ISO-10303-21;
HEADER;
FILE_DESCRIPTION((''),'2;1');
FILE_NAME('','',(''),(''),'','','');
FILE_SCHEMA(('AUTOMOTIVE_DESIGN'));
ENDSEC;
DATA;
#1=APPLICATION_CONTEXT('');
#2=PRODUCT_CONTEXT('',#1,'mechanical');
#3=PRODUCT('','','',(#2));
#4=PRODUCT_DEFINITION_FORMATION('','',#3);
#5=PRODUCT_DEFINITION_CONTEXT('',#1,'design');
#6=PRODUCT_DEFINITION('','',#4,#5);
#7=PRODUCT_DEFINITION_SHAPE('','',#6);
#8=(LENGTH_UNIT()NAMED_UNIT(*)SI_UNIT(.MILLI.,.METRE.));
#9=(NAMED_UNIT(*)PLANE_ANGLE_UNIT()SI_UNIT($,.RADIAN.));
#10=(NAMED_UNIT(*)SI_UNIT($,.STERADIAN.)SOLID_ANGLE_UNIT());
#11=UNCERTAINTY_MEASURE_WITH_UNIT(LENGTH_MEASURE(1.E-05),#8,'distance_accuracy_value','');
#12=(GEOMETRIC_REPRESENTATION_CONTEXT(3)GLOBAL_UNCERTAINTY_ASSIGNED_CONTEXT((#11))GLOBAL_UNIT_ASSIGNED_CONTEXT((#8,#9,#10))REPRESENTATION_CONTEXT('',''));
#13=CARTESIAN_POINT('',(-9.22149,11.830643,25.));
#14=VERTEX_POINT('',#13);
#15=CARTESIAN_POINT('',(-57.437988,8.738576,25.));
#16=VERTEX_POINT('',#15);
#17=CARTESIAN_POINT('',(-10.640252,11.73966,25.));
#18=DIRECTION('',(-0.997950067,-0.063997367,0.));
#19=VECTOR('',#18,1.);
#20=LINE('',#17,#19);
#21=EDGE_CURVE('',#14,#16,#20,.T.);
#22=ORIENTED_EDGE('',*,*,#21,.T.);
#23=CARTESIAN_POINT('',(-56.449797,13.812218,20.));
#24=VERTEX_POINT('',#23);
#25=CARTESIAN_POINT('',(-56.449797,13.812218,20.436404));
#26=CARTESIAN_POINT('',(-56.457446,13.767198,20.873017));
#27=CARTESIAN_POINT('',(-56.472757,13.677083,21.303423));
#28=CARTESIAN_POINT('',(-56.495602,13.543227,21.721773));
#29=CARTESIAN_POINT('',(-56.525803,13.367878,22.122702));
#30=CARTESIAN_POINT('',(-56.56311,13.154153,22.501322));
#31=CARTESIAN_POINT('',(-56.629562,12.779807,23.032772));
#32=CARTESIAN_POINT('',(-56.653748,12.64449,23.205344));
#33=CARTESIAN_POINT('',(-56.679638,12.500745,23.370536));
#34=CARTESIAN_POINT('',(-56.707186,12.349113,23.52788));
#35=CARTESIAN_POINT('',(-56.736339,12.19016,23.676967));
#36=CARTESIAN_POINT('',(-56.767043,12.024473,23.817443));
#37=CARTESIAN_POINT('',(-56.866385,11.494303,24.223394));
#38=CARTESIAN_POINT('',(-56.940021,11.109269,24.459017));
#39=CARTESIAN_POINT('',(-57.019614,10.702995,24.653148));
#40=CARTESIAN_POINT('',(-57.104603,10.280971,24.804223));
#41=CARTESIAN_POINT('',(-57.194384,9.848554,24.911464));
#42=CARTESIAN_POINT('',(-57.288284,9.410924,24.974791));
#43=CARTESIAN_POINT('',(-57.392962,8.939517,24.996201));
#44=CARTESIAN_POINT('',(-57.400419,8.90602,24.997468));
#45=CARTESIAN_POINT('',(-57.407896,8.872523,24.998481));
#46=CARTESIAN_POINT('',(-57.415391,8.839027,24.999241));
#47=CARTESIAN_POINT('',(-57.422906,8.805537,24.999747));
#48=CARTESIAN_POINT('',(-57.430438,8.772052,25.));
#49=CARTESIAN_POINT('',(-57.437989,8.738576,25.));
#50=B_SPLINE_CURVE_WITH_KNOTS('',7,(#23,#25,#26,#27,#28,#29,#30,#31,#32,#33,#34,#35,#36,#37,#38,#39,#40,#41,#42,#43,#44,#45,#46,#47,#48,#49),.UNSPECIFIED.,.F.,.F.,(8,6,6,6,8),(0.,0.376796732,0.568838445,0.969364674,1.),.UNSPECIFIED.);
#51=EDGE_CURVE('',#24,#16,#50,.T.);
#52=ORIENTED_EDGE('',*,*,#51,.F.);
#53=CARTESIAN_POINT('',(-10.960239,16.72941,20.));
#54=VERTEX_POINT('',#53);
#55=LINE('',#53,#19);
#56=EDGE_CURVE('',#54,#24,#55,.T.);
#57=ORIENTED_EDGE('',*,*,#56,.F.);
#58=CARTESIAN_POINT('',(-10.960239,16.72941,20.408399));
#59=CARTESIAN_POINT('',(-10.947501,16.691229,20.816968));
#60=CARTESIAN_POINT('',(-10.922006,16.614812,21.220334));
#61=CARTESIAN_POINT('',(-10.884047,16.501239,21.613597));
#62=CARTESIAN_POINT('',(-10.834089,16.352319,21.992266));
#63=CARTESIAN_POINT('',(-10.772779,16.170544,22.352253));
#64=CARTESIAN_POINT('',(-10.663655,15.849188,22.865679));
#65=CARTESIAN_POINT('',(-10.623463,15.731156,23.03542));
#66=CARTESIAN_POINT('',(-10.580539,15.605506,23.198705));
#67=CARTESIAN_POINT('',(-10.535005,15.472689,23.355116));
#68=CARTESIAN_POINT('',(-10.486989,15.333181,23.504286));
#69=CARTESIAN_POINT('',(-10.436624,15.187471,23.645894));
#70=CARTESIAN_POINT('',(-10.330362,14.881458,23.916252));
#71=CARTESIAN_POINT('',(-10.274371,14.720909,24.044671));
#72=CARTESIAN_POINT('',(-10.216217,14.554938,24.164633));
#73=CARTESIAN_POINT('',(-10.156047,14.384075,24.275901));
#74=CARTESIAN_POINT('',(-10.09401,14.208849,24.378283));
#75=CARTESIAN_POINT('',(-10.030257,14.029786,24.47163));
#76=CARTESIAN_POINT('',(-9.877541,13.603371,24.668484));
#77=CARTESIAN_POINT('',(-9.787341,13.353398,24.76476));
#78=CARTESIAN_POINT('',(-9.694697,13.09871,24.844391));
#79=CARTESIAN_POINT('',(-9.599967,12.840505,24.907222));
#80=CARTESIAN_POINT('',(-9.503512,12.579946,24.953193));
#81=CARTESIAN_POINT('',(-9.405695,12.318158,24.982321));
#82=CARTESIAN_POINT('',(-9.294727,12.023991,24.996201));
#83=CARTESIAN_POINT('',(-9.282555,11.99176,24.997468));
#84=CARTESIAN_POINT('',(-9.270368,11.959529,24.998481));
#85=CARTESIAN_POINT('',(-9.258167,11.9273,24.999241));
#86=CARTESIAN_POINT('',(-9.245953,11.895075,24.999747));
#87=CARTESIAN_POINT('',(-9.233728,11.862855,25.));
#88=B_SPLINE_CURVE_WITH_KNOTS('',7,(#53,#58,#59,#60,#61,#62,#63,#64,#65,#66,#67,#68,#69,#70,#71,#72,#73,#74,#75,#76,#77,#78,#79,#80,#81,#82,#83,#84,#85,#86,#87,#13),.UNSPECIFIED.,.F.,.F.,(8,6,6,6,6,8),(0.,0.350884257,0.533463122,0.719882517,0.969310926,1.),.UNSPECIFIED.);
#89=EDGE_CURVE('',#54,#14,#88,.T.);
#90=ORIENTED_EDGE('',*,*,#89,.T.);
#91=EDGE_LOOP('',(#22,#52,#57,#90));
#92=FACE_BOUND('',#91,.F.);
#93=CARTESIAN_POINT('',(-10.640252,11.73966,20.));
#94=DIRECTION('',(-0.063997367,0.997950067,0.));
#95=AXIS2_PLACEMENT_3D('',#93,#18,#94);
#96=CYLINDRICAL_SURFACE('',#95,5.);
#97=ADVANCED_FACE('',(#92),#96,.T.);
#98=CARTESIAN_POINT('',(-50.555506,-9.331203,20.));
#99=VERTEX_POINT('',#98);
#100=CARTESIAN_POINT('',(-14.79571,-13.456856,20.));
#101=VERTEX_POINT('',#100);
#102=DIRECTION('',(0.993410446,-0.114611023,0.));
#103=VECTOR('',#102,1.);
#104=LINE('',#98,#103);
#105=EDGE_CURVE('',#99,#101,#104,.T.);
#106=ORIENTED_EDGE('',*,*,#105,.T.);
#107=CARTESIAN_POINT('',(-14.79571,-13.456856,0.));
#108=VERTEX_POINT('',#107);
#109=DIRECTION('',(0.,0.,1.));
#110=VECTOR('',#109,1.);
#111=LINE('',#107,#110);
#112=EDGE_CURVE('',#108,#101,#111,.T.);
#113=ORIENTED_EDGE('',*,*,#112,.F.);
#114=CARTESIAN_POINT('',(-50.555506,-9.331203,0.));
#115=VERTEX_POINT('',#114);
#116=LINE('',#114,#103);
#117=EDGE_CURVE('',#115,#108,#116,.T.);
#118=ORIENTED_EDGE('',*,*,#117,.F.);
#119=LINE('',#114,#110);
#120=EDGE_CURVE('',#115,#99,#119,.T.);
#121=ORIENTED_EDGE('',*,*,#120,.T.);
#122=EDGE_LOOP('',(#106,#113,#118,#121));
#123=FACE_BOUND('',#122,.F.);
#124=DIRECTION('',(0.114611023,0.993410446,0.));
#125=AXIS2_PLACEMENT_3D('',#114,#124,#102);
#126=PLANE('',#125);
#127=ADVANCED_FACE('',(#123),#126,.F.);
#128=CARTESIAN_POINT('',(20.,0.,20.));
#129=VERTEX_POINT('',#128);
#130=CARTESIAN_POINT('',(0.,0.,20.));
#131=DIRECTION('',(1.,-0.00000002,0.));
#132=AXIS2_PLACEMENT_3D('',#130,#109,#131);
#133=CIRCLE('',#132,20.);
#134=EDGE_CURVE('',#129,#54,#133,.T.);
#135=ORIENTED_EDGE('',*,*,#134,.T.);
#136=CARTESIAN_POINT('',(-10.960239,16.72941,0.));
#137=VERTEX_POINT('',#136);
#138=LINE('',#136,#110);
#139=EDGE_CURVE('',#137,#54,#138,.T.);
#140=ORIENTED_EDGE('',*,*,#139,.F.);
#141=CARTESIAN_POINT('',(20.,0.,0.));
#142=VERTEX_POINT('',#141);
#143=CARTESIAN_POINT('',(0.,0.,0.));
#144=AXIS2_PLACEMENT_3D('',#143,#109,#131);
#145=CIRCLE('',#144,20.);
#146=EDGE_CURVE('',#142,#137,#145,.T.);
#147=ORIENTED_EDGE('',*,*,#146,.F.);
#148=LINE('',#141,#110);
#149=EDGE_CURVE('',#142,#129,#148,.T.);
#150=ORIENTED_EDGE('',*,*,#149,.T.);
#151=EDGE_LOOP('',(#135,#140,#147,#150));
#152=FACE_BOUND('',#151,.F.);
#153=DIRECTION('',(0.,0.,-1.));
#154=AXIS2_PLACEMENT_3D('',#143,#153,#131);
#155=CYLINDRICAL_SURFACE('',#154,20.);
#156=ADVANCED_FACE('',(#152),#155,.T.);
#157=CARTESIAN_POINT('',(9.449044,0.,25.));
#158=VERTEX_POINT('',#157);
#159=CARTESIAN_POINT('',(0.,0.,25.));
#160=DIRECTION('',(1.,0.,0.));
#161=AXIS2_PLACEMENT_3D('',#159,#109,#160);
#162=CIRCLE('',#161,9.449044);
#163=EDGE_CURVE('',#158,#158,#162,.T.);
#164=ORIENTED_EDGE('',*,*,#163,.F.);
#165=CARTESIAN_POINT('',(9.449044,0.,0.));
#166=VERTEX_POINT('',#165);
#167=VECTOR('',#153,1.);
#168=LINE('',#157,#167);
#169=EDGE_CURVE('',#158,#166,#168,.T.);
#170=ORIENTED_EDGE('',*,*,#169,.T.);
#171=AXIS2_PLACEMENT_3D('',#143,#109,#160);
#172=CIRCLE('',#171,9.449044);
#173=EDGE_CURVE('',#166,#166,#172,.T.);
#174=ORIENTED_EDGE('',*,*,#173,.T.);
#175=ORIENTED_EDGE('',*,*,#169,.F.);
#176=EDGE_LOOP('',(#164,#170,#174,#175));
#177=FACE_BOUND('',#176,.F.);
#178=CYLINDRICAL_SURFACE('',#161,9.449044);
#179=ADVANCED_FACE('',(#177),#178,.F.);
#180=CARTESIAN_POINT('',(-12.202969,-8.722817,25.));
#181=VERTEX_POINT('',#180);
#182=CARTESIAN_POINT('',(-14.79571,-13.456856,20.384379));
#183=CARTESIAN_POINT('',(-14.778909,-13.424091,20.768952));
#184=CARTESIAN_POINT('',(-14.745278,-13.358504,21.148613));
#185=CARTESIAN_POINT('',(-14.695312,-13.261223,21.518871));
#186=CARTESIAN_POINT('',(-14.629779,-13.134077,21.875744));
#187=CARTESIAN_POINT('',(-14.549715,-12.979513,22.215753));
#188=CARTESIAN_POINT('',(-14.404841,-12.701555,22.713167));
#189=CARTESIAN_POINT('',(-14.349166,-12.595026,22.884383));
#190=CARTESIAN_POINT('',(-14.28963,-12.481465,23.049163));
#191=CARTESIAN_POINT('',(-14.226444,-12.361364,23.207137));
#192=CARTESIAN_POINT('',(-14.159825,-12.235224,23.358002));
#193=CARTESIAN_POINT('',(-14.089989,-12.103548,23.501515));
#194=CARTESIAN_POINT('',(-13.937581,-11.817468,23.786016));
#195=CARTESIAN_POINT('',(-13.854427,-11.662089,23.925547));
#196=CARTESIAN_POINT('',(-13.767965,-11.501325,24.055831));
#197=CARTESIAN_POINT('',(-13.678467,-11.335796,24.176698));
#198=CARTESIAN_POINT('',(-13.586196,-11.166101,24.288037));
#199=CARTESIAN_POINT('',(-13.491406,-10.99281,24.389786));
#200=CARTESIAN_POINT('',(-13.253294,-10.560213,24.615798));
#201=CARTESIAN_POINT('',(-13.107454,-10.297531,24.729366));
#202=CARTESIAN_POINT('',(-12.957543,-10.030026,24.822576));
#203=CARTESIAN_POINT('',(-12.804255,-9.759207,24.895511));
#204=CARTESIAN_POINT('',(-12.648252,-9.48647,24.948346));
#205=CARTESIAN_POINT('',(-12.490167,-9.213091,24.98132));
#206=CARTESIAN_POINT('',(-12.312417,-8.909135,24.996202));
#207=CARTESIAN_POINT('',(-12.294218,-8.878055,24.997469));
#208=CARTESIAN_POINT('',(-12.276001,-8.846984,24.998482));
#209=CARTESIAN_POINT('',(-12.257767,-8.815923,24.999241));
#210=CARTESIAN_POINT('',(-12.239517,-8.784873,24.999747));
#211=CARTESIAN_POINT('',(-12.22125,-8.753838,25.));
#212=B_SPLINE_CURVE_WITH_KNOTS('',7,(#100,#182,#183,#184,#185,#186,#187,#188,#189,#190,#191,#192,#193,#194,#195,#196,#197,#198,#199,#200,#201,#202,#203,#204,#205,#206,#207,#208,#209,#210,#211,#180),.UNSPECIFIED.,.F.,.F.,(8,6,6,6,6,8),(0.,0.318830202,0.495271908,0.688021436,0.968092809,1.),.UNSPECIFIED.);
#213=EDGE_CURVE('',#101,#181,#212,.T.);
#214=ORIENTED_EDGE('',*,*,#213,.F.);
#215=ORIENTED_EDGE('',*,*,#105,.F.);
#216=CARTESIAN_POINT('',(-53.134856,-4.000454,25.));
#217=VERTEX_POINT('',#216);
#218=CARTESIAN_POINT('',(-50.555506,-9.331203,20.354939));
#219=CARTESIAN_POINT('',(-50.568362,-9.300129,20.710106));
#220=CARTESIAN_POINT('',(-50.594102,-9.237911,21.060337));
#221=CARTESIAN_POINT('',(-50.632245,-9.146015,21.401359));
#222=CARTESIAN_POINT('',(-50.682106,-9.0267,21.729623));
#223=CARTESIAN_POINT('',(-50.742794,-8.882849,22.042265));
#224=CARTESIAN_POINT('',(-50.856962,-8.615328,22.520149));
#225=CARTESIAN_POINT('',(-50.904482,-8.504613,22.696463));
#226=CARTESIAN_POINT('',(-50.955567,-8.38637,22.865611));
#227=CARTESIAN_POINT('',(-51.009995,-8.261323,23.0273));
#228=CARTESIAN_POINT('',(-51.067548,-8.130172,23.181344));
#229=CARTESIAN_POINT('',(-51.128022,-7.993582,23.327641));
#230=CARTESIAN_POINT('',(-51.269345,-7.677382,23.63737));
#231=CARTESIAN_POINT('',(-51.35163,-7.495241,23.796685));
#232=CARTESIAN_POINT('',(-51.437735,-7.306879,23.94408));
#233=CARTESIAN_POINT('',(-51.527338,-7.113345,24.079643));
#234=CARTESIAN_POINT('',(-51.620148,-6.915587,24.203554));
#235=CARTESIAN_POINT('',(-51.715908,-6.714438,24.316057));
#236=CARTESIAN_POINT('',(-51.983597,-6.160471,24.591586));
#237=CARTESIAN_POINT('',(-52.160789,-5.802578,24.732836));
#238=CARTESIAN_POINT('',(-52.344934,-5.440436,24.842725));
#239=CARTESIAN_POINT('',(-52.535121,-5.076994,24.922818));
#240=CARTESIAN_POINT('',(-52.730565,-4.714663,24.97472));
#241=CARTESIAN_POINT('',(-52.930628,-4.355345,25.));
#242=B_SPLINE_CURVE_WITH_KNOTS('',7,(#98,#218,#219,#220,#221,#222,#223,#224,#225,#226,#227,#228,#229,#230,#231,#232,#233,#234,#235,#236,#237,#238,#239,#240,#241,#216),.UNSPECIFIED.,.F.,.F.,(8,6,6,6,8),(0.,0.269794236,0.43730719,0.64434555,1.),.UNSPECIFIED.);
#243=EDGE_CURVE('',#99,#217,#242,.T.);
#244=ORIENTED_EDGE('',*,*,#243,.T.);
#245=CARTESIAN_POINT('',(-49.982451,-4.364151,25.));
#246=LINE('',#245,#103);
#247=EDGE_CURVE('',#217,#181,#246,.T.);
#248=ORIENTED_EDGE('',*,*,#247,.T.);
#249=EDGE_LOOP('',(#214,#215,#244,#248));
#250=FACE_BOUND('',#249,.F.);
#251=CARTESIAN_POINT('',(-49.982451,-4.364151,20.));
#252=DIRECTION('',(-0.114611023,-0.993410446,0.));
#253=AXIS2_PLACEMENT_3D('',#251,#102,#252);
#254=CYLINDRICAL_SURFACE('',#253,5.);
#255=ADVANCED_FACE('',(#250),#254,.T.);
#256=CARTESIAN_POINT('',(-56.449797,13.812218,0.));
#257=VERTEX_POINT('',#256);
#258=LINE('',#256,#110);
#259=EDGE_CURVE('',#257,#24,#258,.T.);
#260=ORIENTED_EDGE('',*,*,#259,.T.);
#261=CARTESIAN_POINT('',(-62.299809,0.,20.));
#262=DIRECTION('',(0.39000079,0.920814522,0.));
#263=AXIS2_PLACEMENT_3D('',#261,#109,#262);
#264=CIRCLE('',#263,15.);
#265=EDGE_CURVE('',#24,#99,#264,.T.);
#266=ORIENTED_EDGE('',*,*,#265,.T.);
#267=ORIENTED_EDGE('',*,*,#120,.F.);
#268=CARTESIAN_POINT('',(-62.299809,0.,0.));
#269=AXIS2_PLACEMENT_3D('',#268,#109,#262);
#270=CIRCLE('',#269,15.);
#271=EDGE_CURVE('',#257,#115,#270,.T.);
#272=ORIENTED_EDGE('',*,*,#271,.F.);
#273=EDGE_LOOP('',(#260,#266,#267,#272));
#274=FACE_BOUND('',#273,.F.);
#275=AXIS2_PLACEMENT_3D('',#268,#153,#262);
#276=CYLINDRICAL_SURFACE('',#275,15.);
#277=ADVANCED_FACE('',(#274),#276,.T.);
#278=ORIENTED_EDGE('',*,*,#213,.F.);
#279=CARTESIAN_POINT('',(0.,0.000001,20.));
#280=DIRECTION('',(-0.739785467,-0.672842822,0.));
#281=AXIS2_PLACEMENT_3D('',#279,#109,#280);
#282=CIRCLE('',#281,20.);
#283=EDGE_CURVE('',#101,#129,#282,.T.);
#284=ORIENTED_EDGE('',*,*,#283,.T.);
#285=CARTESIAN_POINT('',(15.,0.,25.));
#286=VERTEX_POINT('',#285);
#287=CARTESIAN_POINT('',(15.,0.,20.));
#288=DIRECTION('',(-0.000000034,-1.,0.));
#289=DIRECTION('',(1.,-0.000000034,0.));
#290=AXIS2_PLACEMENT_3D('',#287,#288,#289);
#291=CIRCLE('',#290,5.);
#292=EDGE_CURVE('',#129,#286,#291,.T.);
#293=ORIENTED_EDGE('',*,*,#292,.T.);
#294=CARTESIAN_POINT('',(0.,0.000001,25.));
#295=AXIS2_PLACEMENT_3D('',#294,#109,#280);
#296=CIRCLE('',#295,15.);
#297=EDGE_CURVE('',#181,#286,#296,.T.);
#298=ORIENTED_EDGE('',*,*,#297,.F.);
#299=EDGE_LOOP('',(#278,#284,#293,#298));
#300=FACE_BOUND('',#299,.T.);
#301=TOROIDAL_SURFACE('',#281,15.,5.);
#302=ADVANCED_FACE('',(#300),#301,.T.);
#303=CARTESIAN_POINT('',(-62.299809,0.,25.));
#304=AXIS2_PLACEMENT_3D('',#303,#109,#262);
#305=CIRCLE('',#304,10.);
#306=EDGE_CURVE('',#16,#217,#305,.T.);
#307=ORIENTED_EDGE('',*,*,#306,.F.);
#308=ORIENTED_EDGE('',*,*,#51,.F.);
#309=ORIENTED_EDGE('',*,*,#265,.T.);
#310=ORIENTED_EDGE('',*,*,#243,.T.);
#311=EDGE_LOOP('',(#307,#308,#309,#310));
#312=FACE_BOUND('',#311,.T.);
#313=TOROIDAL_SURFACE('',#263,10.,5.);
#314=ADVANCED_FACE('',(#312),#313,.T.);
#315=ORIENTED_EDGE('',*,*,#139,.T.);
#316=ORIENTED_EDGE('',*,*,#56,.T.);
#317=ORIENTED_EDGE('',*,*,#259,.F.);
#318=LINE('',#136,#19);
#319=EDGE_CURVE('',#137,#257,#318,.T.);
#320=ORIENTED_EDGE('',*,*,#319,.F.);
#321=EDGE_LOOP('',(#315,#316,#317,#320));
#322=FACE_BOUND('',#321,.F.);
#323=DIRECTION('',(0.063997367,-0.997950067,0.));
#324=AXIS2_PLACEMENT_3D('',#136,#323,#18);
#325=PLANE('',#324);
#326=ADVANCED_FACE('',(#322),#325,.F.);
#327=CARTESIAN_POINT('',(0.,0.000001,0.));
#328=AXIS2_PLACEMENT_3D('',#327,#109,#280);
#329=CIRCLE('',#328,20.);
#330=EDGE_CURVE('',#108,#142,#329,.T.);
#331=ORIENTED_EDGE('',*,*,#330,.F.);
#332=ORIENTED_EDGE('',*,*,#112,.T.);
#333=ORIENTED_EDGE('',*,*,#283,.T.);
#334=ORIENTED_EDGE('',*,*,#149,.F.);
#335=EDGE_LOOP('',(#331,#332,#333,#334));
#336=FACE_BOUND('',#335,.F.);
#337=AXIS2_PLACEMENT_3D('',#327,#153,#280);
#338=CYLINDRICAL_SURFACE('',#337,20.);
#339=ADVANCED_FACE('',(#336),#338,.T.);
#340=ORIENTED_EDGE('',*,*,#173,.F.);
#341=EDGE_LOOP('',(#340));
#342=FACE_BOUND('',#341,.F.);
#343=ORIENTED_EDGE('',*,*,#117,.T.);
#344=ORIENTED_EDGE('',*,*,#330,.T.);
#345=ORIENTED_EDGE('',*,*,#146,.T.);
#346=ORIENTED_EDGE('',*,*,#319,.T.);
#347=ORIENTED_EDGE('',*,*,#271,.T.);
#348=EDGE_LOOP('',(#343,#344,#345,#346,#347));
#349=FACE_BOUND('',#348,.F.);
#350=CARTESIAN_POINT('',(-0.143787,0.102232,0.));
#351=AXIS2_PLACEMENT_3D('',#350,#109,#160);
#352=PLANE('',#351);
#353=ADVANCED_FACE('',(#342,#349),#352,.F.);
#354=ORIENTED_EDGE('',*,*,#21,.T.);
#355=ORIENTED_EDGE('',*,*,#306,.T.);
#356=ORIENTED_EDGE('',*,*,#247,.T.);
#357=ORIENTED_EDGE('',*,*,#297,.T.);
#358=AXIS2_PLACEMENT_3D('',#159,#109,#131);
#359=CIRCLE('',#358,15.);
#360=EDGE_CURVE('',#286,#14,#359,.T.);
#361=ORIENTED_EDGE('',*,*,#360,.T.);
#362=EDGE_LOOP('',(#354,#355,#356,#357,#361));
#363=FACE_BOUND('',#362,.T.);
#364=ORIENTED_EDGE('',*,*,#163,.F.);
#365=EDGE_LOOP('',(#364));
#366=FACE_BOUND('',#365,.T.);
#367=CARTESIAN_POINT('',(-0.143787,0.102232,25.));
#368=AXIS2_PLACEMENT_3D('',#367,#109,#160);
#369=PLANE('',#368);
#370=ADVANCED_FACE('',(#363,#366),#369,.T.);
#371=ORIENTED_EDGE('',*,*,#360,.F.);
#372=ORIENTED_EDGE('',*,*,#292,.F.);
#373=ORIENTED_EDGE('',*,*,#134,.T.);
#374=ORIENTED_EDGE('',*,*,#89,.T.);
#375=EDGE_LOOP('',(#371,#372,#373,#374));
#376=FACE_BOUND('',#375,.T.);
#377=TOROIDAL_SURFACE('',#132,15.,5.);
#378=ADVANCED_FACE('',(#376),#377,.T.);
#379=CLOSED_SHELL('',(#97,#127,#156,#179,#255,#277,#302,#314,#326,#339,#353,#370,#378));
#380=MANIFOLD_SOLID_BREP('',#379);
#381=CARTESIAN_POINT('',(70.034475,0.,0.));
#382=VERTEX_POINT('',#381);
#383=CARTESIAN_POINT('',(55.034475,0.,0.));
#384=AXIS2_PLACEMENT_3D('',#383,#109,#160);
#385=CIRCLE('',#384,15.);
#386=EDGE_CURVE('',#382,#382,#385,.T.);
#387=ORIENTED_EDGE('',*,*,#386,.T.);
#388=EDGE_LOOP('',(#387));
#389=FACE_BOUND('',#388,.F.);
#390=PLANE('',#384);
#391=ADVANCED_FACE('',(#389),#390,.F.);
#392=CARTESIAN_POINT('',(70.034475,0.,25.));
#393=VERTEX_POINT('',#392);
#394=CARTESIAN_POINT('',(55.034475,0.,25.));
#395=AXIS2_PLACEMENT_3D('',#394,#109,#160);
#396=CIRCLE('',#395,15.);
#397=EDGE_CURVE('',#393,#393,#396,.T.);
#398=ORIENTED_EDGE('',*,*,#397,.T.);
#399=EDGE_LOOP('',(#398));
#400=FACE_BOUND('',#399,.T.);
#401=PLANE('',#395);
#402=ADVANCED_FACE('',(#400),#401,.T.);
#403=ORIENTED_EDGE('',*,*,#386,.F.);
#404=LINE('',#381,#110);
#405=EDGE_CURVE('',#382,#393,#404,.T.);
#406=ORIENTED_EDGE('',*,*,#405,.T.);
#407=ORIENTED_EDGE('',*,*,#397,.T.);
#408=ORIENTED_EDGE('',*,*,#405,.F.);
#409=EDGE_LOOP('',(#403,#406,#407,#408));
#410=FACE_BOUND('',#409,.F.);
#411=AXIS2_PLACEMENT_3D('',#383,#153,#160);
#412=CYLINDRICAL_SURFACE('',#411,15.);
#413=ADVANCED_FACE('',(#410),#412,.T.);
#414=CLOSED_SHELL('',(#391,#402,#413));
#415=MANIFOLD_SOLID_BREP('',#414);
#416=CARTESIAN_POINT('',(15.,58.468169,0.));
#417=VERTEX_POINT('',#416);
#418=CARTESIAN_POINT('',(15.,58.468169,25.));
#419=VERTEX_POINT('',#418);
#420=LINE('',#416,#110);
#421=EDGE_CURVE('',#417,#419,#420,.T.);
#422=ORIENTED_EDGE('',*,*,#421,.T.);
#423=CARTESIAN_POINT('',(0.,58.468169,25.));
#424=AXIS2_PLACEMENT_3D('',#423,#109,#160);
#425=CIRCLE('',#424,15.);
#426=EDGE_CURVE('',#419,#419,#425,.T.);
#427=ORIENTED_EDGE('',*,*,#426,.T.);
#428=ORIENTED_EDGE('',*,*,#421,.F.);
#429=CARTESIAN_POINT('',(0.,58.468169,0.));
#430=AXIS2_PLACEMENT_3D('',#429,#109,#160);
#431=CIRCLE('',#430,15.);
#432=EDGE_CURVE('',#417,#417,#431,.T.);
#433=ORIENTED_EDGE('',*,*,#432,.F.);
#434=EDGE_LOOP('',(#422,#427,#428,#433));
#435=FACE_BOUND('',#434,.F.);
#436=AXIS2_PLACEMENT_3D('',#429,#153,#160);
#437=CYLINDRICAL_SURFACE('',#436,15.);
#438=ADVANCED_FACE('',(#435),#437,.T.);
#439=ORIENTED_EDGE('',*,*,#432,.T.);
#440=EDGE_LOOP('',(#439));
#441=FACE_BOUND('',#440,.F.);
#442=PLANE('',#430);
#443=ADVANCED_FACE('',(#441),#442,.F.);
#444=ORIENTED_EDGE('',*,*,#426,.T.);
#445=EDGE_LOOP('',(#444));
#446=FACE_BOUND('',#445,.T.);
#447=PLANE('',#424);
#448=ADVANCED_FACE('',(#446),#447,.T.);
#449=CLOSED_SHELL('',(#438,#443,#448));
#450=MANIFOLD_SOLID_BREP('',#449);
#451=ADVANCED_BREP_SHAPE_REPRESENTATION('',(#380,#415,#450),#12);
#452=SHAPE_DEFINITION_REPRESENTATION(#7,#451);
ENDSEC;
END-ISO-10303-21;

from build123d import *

# Parameters (mm, degrees)
F0_R     = 15
F1_DEPTH = 25
F2_R     = 5
F3_R     = 9.449044
F4_DEPTH = 25


with BuildPart() as f1:
    # F0 (on Top) → F1 (new body)
    with BuildSketch(Plane.XY):
        with BuildLine():
            ThreePointArc((-14.79571, -13.456856), (7.214076, -18.653608), (20, 0))
            ThreePointArc((20, 0), (9.507766, 17.595522), (-10.960239, 16.72941))
            ThreePointArc((-10.960239, 16.72941), (-19.840486, 2.520935), (-14.79571, -13.456856))
        make_face()
        with BuildLine():
            ThreePointArc((-14.79571, -13.456856), (-19.840486, 2.520935), (-10.960239, 16.72941))
            Line((-10.960239, 16.72941), (-56.449797, 13.812218))
            ThreePointArc((-56.449797, 13.812218), (-49.794806, 8.284016), (-47.299809, 0))
            ThreePointArc((-47.299809, 0), (-48.137102, -4.94143), (-50.555506, -9.331203))
            Line((-50.555506, -9.331203), (-14.79571, -13.456856))
        make_face()
        with BuildLine():
            ThreePointArc((-47.299809, 0), (-49.794806, 8.284016), (-56.449797, 13.812218))
            ThreePointArc((-56.449797, 13.812218), (-76.83578, -3.7021), (-50.555506, -9.331203))
            ThreePointArc((-50.555506, -9.331203), (-48.137102, -4.94143), (-47.299809, 0))
        make_face()
        with Locations((0, 58.468169)):
            Circle(F0_R)
        with Locations((55.034475, 0)):
            Circle(F0_R)
    extrude(amount=F1_DEPTH)

    # F2
    f2_edges = [f1.edges().sort_by_distance(p)[0] for p in [
        (-32.675608, -11.394029, 25),
        (-76.83578, -3.7021, 25),
        (7.214076, -18.653608, 25),
        (9.507766, 17.595522, 25),
        (-33.705018, 15.270814, 25),
    ]]
    fillet(f2_edges, radius=F2_R)

    # F3 (on face) → F4 (cut)
    with BuildSketch(Plane.XY.offset(25)):
        Circle(F3_R)
    extrude(amount=-F4_DEPTH, mode=Mode.SUBTRACT)


solid = f1.part
